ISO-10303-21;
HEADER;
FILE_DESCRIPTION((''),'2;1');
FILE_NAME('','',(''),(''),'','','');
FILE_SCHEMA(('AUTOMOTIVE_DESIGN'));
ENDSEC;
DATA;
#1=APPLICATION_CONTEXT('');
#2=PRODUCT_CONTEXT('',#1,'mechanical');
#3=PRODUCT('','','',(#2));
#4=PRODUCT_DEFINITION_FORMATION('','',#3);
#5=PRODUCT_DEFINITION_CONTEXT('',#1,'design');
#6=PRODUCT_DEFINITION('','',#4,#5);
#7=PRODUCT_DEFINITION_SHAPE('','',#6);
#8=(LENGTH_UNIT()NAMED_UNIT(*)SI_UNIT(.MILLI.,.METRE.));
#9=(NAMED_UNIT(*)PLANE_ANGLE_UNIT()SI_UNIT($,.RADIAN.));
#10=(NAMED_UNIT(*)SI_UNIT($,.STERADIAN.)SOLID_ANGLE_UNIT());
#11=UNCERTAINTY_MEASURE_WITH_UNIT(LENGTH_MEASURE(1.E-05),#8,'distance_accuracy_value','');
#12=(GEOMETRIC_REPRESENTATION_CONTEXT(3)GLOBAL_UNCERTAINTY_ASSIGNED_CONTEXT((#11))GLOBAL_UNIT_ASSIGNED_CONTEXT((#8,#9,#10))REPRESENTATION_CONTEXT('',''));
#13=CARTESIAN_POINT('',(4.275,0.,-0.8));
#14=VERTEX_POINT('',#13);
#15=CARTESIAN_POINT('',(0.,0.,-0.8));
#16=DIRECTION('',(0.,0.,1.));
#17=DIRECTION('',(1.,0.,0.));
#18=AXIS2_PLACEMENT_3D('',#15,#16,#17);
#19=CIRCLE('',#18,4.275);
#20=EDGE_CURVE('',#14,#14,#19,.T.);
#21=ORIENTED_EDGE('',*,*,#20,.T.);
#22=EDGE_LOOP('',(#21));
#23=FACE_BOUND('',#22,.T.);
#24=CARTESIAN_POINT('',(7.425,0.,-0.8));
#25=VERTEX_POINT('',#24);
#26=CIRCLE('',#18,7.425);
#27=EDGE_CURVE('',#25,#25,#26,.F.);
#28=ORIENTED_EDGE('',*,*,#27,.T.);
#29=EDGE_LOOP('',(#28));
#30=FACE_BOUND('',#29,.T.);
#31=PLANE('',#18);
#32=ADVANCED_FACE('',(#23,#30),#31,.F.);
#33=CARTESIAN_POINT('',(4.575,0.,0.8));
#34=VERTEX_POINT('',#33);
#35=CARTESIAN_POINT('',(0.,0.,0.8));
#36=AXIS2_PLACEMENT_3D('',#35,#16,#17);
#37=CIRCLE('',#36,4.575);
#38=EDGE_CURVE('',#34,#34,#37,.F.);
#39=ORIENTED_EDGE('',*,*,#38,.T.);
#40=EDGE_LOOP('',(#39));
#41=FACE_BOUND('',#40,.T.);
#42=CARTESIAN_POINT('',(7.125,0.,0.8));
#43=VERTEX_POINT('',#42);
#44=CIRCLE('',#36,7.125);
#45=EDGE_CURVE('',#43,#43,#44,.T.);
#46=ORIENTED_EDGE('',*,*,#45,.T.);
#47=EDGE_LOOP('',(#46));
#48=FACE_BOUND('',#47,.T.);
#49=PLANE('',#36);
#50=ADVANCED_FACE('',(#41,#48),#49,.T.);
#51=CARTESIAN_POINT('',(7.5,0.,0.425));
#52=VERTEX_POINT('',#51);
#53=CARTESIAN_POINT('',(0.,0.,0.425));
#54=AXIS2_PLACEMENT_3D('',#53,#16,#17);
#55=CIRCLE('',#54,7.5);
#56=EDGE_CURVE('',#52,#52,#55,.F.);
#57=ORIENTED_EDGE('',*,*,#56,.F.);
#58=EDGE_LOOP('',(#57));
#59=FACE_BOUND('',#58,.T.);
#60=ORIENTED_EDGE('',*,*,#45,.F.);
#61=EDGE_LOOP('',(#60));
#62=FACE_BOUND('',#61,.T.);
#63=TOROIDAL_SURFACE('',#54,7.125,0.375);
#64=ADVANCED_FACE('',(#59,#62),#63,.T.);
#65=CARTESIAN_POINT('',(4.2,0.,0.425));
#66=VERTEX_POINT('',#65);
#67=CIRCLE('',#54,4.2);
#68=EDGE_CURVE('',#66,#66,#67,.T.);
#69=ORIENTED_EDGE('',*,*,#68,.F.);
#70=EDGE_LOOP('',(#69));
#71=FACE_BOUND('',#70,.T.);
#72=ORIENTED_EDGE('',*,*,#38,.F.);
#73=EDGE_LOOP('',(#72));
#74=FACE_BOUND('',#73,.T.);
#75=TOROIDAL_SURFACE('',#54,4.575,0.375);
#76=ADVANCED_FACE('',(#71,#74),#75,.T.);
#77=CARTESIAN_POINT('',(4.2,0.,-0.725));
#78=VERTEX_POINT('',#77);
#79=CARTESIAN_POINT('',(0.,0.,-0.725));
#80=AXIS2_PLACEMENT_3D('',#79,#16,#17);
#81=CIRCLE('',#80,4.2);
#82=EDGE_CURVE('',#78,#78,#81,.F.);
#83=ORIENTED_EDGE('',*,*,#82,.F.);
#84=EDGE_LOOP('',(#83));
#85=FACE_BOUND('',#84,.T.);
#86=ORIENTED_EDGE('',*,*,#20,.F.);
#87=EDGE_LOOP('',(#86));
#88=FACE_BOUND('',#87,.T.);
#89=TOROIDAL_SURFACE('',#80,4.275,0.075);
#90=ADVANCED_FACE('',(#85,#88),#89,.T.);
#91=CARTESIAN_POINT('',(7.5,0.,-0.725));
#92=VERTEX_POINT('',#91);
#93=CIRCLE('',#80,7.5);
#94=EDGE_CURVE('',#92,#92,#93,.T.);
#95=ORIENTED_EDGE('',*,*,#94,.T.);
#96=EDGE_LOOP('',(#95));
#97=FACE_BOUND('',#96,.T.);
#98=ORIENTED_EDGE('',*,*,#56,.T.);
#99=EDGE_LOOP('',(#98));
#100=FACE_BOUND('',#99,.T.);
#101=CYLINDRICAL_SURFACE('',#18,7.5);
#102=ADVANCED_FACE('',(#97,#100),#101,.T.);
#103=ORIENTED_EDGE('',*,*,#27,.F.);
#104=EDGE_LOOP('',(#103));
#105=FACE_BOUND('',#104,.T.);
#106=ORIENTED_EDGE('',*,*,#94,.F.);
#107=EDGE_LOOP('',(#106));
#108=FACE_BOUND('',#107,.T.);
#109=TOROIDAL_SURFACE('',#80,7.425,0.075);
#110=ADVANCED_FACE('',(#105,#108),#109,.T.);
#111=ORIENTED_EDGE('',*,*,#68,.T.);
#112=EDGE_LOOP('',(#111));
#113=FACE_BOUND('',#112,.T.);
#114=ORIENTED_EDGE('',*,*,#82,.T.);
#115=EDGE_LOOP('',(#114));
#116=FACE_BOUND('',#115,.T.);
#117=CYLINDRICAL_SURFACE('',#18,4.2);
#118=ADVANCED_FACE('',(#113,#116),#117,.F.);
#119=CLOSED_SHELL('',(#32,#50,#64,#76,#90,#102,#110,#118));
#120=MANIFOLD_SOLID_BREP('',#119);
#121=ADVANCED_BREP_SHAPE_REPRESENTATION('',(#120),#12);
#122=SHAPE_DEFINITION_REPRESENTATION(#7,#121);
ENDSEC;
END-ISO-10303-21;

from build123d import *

# Parameters (mm, degrees)
BOSS_EXTRUDE1_DEPTH      = 0.8
BOSS_EXTRUDE1_DEPTH_BACK = 0.8
SKETCH3_R                = 7.5
SKETCH3_R_2              = 4.2
FILLET1_R                = 0.375
FILLET3_R                = 0.075


with BuildPart() as part:
    # Sketch3 → Boss-Extrude1 (new, two sides: drawn at the far end of the back side and taken through both)
    with BuildSketch(Plane.XY.offset(-BOSS_EXTRUDE1_DEPTH_BACK)):
        Circle(SKETCH3_R)
        Circle(SKETCH3_R_2, mode=Mode.SUBTRACT)
    extrude(amount=BOSS_EXTRUDE1_DEPTH + BOSS_EXTRUDE1_DEPTH_BACK)

    # Fillet1
    fillet1_edges = [part.edges().sort_by_distance(p)[0] for p in [
        (-7.5, 0, 0.8),
        (-4.2, 0, 0.8),
    ]]
    fillet(fillet1_edges, radius=FILLET1_R)

    # Fillet3
    fillet3_edges = [part.edges().sort_by_distance(p)[0] for p in [
        (-7.5, 0, -0.8),
        (-4.2, 0, -0.8),
    ]]
    fillet(fillet3_edges, radius=FILLET3_R)


solid = part.part
